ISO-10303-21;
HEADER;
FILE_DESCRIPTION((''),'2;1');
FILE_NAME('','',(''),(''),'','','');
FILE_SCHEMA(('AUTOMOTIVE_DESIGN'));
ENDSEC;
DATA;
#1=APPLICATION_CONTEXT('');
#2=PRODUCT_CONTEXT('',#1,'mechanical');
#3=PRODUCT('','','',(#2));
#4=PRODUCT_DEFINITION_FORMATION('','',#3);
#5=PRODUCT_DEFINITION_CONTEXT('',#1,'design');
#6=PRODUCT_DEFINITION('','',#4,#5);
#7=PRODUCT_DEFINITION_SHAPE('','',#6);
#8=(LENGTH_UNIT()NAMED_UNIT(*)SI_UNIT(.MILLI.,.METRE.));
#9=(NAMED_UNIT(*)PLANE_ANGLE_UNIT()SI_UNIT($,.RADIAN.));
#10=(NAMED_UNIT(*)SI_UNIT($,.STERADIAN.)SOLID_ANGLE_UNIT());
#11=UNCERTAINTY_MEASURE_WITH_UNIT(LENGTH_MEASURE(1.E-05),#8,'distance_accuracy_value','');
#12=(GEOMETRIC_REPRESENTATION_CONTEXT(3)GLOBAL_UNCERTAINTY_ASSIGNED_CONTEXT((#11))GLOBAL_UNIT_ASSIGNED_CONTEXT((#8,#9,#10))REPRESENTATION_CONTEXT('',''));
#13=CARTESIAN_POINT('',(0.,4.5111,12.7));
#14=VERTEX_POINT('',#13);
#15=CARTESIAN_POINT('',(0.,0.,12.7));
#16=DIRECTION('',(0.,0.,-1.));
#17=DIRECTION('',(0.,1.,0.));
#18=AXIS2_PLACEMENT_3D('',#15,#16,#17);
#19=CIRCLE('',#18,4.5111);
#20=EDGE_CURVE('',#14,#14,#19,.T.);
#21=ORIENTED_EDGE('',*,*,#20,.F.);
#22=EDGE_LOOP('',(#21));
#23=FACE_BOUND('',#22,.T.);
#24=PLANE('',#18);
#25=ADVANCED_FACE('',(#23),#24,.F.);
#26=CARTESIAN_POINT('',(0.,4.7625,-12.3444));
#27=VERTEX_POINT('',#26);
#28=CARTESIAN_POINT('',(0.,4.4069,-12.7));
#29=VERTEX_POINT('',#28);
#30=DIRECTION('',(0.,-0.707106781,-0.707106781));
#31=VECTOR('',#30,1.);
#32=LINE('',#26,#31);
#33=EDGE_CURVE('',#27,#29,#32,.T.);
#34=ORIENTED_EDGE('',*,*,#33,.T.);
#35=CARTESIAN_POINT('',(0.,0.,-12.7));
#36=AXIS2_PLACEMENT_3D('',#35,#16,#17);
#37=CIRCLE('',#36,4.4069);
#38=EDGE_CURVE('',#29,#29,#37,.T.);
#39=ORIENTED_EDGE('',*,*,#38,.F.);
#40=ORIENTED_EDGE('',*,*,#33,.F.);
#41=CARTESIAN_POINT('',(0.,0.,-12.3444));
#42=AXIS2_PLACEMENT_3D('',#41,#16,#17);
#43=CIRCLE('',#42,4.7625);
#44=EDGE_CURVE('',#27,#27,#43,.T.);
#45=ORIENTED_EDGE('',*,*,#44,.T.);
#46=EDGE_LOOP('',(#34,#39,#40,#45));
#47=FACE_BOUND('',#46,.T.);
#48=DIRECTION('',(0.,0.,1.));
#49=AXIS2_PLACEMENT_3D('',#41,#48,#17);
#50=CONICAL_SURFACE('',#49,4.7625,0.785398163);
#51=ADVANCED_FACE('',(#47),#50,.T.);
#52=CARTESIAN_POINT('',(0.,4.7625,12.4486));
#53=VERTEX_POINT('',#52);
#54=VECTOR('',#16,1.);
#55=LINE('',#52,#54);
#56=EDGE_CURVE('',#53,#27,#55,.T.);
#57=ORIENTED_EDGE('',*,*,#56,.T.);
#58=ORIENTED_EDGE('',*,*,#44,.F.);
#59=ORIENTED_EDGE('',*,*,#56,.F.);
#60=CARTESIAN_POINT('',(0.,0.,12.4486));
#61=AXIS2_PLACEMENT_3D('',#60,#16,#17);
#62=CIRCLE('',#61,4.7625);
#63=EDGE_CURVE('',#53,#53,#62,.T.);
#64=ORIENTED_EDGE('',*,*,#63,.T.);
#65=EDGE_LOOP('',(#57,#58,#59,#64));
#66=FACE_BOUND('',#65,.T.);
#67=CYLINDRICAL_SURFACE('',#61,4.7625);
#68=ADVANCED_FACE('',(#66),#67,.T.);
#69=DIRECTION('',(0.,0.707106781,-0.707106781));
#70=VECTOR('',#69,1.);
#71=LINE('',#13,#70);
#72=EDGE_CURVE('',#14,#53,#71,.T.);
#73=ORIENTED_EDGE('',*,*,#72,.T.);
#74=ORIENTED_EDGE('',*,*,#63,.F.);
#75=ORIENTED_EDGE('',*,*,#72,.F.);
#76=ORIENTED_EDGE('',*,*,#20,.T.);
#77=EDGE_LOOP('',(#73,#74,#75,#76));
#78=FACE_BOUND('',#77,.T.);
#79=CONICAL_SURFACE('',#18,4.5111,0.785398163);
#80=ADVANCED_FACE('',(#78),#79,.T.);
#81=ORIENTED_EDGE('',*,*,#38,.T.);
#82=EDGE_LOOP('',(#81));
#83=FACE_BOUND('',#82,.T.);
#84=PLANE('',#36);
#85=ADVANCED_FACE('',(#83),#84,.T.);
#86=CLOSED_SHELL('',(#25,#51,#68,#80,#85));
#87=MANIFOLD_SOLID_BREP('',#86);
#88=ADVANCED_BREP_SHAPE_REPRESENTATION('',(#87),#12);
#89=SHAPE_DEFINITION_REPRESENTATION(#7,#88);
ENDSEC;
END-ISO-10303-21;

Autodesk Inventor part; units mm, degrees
sketch "Sketch_1" plane through (0, 0, 0) normal (1, 0, 0) x (0, 1, 0)
  line L0 (0, -12.7) -> (0, 12.7)
  line L1 (0, 12.7) -> (4.5111, 12.7)
  line L2 (4.5111, 12.7) -> (4.7625, 12.4486)
  line L3 (4.7625, 12.4486) -> (4.7625, -12.3444)
  line L4 (4.7625, -12.3444) -> (4.4069, -12.7)
  line L5 (4.4069, -12.7) -> (0, -12.7)
  line L6 (0, -12.7) -> (0, 12.7)
revolve "Revolution1" add sketch "Sketch_1" angle 360 about axis through (0, 0, -12.7) along (0, 0, -1)
ref_plane "dia1_XY" through (-4.7625, 0, 0) normal (0, 0, 1) x (1, 0, 0)
ref_plane "dia1_YZ" through (-4.7625, 0, 0) normal (1, 0, 0) x (0, 1, 0)
ref_plane "dia1_ZX" through (-4.7625, 0, 0) normal (0, 1, 0) x (0, 0, 1)
ref_plane "dia2_XY" through (4.7625, 0, 0) normal (0, 0, 1) x (1, 0, 0)
ref_plane "dia2_YZ" through (4.7625, 0, 0) normal (1, 0, 0) x (0, 1, 0)
ref_plane "dia2_ZX" through (4.7625, 0, 0) normal (0, 1, 0) x (0, 0, 1)
ref_plane "pin_XY" through (0, 0, 0) normal (0, 0, 1) x (1, 0, 0)
ref_plane "pin_YZ" through (0, 0, 0) normal (1, 0, 0) x (0, 1, 0)
ref_plane "pin_ZX" through (0, 0, 0) normal (0, 1, 0) x (0, 0, 1)
ref_plane "pin1_XY" through (0, 0, 12.7) normal (1, 0, 0) x (0, 0, -1)
ref_plane "pin1_YZ" through (0, 0, 12.7) normal (0, 0, -1) x (0, 1, 0)
ref_plane "pin1_ZX" through (0, 0, 12.7) normal (0, 1, 0) x (1, 0, 0)
ref_plane "pin2_XY" through (0, 0, -12.7) normal (1, 0, 0) x (0, 0, -1)
ref_plane "pin2_YZ" through (0, 0, -12.7) normal (0, 0, -1) x (0, 1, 0)
ref_plane "pin2_ZX" through (0, 0, -12.7) normal (0, 1, 0) x (1, 0, 0)
properties part number "D-358" material "Steel"
